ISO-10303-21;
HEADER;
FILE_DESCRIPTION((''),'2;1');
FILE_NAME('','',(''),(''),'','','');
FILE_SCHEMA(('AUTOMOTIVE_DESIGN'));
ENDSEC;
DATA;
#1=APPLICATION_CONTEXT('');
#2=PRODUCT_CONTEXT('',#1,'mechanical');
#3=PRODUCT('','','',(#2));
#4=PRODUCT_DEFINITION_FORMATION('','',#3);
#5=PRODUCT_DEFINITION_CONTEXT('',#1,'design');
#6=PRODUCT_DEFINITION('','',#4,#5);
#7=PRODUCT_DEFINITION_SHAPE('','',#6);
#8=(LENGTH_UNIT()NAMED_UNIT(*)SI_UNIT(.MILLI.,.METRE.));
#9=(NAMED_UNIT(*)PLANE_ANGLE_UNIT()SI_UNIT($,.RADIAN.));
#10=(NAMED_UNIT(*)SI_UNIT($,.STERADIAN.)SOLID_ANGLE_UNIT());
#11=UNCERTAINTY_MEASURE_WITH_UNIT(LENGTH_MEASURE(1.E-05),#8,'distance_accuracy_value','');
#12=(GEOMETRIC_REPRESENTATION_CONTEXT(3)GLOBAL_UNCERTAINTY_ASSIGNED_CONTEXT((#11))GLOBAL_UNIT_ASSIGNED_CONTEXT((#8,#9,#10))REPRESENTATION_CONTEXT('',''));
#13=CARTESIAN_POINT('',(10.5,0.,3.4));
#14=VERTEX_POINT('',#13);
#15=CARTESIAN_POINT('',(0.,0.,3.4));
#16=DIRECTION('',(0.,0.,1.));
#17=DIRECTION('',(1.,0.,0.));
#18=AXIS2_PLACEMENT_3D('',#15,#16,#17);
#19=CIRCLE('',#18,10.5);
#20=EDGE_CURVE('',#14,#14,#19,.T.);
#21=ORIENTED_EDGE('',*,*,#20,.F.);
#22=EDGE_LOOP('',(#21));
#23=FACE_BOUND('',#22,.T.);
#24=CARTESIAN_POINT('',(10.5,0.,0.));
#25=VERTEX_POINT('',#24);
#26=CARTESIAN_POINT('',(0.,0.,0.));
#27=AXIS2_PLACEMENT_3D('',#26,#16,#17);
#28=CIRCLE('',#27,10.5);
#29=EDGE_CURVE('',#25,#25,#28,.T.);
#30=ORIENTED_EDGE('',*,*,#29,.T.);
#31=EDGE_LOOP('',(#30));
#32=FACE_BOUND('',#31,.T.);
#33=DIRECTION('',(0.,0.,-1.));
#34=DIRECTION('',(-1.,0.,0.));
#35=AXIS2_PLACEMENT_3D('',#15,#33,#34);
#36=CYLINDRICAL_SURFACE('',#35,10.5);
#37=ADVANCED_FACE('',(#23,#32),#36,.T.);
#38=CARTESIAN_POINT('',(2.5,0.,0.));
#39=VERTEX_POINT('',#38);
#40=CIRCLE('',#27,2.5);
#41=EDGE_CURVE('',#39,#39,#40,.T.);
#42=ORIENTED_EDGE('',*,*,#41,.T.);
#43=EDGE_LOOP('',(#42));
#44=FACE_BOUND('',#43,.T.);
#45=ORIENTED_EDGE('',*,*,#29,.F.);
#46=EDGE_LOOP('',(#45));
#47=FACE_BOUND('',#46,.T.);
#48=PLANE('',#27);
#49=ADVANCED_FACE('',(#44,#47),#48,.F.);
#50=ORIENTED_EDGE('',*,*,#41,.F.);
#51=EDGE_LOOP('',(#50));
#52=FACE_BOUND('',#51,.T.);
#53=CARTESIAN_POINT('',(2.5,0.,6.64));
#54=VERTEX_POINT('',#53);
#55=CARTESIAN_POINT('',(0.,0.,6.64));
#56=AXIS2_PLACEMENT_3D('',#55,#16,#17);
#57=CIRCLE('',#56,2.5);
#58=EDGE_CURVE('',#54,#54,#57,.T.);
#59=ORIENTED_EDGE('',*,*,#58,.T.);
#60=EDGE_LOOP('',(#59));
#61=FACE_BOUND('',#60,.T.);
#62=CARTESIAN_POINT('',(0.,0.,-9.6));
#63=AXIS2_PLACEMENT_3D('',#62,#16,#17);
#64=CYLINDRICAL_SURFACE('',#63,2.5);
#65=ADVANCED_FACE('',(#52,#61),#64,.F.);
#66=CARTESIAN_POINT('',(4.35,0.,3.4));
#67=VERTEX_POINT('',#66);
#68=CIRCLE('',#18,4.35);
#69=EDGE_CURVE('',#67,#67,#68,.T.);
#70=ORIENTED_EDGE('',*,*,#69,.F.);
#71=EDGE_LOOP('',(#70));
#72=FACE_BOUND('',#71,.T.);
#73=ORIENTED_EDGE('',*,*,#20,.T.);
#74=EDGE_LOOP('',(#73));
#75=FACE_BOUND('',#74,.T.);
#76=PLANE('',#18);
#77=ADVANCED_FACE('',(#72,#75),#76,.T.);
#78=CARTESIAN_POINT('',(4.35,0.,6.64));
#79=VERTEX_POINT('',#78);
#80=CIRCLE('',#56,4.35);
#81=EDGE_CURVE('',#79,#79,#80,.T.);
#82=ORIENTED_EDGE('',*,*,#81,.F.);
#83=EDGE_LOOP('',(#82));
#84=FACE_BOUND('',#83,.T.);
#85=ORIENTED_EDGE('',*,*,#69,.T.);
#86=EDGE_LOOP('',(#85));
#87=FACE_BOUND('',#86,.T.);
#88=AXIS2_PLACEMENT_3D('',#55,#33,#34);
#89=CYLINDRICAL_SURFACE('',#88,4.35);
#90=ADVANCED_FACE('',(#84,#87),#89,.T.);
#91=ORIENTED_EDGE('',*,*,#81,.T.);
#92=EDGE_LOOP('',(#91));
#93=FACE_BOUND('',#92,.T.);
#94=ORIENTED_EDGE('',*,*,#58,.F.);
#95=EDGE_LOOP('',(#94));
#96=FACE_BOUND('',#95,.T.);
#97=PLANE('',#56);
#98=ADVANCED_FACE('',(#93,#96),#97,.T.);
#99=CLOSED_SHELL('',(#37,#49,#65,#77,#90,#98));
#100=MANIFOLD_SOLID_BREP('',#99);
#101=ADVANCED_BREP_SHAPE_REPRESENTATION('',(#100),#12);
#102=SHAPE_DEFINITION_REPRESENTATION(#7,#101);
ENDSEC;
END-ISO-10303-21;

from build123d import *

# Parameters (mm, degrees)
CROQUIS1_R              = 10.5
SALIENTE_EXTRUIR1_DEPTH = 3.4
CROQUIS2_R              = 4.35
SALIENTE_EXTRUIR2_DEPTH = 3.24
CROQUIS3_R              = 2.5
CORTAR_EXTRUIR1_DEPTH   = 16.24


with BuildPart() as part:
    # Croquis1 → Saliente-Extruir1 (new body)
    with BuildSketch(Plane.XY):
        Circle(CROQUIS1_R)
    extrude(amount=SALIENTE_EXTRUIR1_DEPTH)

    # Croquis2 → Saliente-Extruir2 (add)
    with BuildSketch(Plane.XY.offset(3.4)):
        Circle(CROQUIS2_R)
    extrude(amount=SALIENTE_EXTRUIR2_DEPTH)

    # Croquis3 → Cortar-Extruir1 (cut)
    with BuildSketch(Plane.XY.offset(6.64)):
        Circle(CROQUIS3_R)
    extrude(amount=-CORTAR_EXTRUIR1_DEPTH, mode=Mode.SUBTRACT)


solid = part.part
